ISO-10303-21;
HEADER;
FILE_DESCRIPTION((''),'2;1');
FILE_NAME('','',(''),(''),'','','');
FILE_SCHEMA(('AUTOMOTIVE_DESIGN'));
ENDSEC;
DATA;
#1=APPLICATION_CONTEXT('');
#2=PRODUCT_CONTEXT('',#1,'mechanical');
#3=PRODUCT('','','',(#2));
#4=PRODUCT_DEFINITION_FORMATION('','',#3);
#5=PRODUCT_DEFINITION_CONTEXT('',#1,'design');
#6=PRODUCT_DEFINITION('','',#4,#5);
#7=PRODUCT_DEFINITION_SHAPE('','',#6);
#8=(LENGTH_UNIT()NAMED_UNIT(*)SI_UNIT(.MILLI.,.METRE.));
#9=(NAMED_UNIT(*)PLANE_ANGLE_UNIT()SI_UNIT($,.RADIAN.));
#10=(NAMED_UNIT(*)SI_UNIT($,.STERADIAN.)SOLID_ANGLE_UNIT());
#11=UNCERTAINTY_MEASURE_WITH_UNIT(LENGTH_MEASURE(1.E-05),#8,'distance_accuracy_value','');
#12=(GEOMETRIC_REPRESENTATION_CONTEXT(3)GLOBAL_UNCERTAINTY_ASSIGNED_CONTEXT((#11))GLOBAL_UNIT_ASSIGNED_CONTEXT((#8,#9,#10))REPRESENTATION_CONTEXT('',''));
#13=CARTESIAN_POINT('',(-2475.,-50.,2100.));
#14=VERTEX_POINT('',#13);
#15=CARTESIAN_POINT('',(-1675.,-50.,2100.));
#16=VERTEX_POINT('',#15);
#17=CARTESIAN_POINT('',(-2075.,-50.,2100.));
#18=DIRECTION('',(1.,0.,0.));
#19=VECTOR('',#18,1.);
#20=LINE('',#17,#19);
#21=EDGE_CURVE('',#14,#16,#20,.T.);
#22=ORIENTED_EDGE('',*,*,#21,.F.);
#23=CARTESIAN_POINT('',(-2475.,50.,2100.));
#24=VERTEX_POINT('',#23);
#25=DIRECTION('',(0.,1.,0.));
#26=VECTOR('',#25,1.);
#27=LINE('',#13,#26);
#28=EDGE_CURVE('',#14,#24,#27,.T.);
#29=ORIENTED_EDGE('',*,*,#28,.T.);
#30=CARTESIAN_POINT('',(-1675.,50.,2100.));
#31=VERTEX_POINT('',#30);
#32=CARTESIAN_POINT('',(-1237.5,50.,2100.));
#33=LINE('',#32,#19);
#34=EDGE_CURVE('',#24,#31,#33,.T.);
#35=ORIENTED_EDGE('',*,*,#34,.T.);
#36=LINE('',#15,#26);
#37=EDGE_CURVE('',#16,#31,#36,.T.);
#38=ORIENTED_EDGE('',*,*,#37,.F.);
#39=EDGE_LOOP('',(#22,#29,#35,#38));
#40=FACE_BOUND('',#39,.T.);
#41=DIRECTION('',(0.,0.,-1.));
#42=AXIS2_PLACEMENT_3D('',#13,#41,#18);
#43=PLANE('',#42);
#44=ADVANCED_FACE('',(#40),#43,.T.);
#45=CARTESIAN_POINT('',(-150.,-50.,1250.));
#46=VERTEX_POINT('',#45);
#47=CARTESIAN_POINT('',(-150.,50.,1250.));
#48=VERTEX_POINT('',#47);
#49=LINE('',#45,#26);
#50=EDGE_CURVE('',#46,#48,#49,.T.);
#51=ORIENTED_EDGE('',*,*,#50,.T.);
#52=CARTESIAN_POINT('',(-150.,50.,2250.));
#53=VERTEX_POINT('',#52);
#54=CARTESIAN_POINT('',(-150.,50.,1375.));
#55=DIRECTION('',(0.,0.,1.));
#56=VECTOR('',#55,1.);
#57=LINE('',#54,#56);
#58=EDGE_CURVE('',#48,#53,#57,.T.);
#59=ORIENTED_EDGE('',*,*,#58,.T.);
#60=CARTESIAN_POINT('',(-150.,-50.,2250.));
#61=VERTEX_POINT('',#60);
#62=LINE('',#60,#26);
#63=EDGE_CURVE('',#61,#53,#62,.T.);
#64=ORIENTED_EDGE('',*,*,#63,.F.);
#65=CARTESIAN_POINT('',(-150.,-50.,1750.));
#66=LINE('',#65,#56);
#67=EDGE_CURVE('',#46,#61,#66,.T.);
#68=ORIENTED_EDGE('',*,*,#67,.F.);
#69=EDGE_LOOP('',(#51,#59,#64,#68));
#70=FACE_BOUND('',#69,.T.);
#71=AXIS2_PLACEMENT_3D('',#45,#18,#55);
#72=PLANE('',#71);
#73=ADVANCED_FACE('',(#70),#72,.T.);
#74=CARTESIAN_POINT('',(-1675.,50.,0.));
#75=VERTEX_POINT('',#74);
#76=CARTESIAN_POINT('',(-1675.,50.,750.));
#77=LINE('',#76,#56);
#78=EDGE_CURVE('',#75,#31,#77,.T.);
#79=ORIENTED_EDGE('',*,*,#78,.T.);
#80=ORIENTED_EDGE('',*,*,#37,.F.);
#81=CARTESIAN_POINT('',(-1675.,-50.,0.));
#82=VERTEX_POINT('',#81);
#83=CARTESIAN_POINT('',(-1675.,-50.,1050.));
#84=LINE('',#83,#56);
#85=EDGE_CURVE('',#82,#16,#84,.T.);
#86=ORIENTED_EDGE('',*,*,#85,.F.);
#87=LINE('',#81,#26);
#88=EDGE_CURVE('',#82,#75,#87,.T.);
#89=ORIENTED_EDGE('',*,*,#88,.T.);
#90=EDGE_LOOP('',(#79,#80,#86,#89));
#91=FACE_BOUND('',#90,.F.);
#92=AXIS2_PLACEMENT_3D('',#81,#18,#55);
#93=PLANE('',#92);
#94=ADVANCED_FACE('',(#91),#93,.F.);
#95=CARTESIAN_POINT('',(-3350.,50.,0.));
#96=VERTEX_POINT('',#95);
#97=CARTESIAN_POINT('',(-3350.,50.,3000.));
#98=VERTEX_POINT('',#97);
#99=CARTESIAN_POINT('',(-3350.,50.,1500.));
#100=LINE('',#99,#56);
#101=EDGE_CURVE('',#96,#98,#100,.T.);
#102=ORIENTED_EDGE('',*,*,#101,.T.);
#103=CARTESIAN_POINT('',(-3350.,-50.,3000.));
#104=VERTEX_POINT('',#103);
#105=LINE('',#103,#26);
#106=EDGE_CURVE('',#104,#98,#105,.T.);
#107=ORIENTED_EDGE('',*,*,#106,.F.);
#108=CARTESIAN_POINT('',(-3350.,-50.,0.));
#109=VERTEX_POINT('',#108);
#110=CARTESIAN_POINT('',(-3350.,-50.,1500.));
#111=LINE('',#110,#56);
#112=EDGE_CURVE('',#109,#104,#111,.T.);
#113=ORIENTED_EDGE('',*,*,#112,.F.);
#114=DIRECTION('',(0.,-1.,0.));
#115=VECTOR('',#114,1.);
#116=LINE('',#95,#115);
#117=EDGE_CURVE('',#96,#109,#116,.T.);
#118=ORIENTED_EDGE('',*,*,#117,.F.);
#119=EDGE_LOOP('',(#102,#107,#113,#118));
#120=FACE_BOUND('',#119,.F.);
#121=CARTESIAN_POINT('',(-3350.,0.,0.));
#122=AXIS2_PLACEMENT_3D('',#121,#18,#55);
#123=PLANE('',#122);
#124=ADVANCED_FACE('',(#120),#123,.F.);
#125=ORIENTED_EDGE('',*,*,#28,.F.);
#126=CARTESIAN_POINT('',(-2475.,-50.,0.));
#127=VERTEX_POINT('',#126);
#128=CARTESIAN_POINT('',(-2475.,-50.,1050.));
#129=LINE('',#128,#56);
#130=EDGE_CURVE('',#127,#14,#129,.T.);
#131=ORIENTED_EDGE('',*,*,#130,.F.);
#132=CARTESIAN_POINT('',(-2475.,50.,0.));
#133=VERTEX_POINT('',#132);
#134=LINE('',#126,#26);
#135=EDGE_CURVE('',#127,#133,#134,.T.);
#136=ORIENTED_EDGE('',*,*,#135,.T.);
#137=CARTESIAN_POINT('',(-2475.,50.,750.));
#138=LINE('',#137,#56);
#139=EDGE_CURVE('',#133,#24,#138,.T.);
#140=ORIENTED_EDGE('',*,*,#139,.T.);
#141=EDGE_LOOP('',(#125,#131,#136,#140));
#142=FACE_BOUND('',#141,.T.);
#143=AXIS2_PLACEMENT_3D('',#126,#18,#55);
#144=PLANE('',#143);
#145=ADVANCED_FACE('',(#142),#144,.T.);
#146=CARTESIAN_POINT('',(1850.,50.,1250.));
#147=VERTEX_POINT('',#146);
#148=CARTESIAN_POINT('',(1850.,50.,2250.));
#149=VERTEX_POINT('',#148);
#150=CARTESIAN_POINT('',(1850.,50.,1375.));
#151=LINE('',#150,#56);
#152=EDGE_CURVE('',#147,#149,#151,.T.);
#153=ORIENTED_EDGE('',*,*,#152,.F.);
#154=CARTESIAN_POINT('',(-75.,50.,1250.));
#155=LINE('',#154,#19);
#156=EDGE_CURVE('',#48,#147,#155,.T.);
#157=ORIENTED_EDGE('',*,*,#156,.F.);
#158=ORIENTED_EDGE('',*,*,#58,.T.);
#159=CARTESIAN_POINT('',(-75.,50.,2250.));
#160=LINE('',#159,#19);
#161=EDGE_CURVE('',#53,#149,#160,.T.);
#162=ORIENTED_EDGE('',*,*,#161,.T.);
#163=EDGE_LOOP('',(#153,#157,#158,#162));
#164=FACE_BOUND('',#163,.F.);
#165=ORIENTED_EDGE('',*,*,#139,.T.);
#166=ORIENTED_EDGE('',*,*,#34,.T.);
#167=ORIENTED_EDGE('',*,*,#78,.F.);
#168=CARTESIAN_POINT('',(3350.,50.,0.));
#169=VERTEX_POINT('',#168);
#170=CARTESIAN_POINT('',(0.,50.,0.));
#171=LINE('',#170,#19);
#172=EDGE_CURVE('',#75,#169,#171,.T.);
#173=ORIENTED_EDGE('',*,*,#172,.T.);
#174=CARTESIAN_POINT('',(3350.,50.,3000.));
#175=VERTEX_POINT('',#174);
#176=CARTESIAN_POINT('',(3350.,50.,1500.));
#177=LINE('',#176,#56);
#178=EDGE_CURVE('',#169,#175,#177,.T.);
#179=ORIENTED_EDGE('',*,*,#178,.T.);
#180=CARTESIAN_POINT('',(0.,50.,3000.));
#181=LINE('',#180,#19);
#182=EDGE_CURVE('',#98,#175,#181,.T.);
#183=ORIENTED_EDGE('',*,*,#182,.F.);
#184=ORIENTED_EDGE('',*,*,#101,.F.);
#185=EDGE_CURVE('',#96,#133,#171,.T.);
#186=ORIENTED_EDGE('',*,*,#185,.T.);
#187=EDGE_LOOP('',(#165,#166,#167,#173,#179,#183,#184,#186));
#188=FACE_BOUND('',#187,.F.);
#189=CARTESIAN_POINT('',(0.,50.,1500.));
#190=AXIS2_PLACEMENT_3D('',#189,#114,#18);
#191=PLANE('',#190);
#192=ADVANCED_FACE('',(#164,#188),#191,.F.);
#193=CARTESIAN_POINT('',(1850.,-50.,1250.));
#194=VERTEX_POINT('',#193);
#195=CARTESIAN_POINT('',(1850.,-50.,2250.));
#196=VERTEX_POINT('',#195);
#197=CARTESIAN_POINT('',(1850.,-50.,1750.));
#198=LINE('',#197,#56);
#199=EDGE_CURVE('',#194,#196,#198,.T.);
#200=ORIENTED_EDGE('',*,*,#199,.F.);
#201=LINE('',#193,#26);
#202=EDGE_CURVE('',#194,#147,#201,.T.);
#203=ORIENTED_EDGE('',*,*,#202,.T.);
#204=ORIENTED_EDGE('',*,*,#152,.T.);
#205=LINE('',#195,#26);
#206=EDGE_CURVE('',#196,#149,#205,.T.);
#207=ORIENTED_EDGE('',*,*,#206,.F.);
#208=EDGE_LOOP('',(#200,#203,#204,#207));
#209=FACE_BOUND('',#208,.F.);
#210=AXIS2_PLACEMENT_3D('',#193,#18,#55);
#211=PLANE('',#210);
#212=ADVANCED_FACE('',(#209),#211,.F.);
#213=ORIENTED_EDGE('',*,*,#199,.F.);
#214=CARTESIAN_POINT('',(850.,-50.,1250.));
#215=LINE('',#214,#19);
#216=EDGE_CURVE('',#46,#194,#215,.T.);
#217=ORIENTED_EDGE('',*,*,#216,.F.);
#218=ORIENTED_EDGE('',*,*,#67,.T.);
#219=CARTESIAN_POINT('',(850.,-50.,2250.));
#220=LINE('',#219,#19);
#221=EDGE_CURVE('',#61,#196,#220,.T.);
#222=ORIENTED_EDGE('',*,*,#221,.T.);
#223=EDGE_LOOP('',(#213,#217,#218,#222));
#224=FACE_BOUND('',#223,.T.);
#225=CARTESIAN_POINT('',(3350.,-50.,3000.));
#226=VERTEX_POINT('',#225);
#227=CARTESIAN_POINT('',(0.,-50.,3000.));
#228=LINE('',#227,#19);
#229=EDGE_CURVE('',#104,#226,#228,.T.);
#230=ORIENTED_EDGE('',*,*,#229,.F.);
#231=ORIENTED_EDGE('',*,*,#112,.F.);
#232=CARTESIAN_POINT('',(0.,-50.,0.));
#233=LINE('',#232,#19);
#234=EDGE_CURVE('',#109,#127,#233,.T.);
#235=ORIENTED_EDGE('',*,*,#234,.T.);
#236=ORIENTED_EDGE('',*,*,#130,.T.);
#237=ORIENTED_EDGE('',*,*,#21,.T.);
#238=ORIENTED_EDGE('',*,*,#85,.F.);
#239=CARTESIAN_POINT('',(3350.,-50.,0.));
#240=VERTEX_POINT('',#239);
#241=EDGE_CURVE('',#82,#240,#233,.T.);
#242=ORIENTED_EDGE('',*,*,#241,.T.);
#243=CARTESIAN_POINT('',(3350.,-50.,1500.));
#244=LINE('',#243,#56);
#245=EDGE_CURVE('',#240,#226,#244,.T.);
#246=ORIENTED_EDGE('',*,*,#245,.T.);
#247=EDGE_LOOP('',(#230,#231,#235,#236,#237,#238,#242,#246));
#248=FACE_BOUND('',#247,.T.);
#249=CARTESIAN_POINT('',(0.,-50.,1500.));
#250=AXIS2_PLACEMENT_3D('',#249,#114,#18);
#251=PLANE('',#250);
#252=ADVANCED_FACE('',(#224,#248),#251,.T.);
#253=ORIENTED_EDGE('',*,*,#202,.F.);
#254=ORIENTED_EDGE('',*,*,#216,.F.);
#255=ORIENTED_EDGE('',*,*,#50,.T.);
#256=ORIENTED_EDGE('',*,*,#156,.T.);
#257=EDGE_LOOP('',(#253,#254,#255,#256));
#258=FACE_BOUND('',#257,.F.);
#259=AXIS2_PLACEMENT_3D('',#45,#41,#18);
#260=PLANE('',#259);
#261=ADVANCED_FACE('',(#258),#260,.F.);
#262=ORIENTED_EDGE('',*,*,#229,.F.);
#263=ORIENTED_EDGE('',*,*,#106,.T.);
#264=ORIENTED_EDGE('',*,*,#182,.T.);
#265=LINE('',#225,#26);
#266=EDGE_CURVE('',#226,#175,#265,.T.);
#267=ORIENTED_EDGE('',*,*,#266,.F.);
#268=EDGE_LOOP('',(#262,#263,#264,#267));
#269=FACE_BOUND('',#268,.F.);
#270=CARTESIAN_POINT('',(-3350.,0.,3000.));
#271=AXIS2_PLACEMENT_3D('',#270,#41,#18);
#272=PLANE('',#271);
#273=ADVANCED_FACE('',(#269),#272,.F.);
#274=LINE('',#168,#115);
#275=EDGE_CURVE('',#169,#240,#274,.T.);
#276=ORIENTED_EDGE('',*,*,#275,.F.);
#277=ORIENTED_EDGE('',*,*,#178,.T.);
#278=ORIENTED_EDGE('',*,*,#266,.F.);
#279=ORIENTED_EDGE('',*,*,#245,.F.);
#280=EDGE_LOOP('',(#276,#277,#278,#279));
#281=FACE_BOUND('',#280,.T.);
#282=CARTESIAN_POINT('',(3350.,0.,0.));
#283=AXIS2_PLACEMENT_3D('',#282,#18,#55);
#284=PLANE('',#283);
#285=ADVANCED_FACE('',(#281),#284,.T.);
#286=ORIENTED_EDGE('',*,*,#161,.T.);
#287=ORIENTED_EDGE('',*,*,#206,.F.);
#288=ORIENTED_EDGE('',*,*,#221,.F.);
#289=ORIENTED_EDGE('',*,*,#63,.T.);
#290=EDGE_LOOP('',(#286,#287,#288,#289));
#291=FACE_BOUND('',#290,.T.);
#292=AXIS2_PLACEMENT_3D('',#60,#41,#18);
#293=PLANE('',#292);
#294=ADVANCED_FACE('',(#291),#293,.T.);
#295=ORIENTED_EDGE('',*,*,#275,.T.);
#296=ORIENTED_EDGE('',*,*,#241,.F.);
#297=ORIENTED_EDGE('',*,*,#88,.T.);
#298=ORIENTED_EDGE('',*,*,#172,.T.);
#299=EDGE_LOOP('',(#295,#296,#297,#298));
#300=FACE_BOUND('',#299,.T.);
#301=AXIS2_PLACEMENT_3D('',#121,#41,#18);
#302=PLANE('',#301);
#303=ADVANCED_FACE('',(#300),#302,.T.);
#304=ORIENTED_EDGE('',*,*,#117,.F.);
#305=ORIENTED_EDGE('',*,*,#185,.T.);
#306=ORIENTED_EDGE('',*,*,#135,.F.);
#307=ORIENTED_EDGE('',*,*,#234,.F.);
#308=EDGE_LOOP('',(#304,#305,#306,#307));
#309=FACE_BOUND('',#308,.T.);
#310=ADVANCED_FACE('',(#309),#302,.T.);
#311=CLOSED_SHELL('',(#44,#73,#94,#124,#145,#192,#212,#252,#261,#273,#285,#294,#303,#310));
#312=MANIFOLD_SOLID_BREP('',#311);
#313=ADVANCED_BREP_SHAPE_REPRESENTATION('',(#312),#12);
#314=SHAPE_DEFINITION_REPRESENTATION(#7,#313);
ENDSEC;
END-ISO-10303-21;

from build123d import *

# Parameters (mm, degrees)
F0_W     = 6700
F0_H     = 3000
F1_DEPTH = 50
F2_W     = 2000
F2_H     = 1000
F2_W_2   = 800
F2_H_2   = 2100
F3_DEPTH = 100.001


with BuildPart() as f1:
    # F0 (on Front) → F1 (new body, symmetric)
    with BuildSketch(Plane.XZ):
        with Locations((0, 1500)):
            Rectangle(F0_W, F0_H)
    extrude(amount=F1_DEPTH, both=True)

    # F2 (on face) → F3 (cut, through all)
    with BuildSketch(Plane.XZ.offset(50)):
        with Locations((850, 1750)):
            Rectangle(F2_W, F2_H)
        with Locations((-2075, 1050)):
            Rectangle(F2_W_2, F2_H_2)
    extrude(amount=-F3_DEPTH, mode=Mode.SUBTRACT)


solid = f1.part
